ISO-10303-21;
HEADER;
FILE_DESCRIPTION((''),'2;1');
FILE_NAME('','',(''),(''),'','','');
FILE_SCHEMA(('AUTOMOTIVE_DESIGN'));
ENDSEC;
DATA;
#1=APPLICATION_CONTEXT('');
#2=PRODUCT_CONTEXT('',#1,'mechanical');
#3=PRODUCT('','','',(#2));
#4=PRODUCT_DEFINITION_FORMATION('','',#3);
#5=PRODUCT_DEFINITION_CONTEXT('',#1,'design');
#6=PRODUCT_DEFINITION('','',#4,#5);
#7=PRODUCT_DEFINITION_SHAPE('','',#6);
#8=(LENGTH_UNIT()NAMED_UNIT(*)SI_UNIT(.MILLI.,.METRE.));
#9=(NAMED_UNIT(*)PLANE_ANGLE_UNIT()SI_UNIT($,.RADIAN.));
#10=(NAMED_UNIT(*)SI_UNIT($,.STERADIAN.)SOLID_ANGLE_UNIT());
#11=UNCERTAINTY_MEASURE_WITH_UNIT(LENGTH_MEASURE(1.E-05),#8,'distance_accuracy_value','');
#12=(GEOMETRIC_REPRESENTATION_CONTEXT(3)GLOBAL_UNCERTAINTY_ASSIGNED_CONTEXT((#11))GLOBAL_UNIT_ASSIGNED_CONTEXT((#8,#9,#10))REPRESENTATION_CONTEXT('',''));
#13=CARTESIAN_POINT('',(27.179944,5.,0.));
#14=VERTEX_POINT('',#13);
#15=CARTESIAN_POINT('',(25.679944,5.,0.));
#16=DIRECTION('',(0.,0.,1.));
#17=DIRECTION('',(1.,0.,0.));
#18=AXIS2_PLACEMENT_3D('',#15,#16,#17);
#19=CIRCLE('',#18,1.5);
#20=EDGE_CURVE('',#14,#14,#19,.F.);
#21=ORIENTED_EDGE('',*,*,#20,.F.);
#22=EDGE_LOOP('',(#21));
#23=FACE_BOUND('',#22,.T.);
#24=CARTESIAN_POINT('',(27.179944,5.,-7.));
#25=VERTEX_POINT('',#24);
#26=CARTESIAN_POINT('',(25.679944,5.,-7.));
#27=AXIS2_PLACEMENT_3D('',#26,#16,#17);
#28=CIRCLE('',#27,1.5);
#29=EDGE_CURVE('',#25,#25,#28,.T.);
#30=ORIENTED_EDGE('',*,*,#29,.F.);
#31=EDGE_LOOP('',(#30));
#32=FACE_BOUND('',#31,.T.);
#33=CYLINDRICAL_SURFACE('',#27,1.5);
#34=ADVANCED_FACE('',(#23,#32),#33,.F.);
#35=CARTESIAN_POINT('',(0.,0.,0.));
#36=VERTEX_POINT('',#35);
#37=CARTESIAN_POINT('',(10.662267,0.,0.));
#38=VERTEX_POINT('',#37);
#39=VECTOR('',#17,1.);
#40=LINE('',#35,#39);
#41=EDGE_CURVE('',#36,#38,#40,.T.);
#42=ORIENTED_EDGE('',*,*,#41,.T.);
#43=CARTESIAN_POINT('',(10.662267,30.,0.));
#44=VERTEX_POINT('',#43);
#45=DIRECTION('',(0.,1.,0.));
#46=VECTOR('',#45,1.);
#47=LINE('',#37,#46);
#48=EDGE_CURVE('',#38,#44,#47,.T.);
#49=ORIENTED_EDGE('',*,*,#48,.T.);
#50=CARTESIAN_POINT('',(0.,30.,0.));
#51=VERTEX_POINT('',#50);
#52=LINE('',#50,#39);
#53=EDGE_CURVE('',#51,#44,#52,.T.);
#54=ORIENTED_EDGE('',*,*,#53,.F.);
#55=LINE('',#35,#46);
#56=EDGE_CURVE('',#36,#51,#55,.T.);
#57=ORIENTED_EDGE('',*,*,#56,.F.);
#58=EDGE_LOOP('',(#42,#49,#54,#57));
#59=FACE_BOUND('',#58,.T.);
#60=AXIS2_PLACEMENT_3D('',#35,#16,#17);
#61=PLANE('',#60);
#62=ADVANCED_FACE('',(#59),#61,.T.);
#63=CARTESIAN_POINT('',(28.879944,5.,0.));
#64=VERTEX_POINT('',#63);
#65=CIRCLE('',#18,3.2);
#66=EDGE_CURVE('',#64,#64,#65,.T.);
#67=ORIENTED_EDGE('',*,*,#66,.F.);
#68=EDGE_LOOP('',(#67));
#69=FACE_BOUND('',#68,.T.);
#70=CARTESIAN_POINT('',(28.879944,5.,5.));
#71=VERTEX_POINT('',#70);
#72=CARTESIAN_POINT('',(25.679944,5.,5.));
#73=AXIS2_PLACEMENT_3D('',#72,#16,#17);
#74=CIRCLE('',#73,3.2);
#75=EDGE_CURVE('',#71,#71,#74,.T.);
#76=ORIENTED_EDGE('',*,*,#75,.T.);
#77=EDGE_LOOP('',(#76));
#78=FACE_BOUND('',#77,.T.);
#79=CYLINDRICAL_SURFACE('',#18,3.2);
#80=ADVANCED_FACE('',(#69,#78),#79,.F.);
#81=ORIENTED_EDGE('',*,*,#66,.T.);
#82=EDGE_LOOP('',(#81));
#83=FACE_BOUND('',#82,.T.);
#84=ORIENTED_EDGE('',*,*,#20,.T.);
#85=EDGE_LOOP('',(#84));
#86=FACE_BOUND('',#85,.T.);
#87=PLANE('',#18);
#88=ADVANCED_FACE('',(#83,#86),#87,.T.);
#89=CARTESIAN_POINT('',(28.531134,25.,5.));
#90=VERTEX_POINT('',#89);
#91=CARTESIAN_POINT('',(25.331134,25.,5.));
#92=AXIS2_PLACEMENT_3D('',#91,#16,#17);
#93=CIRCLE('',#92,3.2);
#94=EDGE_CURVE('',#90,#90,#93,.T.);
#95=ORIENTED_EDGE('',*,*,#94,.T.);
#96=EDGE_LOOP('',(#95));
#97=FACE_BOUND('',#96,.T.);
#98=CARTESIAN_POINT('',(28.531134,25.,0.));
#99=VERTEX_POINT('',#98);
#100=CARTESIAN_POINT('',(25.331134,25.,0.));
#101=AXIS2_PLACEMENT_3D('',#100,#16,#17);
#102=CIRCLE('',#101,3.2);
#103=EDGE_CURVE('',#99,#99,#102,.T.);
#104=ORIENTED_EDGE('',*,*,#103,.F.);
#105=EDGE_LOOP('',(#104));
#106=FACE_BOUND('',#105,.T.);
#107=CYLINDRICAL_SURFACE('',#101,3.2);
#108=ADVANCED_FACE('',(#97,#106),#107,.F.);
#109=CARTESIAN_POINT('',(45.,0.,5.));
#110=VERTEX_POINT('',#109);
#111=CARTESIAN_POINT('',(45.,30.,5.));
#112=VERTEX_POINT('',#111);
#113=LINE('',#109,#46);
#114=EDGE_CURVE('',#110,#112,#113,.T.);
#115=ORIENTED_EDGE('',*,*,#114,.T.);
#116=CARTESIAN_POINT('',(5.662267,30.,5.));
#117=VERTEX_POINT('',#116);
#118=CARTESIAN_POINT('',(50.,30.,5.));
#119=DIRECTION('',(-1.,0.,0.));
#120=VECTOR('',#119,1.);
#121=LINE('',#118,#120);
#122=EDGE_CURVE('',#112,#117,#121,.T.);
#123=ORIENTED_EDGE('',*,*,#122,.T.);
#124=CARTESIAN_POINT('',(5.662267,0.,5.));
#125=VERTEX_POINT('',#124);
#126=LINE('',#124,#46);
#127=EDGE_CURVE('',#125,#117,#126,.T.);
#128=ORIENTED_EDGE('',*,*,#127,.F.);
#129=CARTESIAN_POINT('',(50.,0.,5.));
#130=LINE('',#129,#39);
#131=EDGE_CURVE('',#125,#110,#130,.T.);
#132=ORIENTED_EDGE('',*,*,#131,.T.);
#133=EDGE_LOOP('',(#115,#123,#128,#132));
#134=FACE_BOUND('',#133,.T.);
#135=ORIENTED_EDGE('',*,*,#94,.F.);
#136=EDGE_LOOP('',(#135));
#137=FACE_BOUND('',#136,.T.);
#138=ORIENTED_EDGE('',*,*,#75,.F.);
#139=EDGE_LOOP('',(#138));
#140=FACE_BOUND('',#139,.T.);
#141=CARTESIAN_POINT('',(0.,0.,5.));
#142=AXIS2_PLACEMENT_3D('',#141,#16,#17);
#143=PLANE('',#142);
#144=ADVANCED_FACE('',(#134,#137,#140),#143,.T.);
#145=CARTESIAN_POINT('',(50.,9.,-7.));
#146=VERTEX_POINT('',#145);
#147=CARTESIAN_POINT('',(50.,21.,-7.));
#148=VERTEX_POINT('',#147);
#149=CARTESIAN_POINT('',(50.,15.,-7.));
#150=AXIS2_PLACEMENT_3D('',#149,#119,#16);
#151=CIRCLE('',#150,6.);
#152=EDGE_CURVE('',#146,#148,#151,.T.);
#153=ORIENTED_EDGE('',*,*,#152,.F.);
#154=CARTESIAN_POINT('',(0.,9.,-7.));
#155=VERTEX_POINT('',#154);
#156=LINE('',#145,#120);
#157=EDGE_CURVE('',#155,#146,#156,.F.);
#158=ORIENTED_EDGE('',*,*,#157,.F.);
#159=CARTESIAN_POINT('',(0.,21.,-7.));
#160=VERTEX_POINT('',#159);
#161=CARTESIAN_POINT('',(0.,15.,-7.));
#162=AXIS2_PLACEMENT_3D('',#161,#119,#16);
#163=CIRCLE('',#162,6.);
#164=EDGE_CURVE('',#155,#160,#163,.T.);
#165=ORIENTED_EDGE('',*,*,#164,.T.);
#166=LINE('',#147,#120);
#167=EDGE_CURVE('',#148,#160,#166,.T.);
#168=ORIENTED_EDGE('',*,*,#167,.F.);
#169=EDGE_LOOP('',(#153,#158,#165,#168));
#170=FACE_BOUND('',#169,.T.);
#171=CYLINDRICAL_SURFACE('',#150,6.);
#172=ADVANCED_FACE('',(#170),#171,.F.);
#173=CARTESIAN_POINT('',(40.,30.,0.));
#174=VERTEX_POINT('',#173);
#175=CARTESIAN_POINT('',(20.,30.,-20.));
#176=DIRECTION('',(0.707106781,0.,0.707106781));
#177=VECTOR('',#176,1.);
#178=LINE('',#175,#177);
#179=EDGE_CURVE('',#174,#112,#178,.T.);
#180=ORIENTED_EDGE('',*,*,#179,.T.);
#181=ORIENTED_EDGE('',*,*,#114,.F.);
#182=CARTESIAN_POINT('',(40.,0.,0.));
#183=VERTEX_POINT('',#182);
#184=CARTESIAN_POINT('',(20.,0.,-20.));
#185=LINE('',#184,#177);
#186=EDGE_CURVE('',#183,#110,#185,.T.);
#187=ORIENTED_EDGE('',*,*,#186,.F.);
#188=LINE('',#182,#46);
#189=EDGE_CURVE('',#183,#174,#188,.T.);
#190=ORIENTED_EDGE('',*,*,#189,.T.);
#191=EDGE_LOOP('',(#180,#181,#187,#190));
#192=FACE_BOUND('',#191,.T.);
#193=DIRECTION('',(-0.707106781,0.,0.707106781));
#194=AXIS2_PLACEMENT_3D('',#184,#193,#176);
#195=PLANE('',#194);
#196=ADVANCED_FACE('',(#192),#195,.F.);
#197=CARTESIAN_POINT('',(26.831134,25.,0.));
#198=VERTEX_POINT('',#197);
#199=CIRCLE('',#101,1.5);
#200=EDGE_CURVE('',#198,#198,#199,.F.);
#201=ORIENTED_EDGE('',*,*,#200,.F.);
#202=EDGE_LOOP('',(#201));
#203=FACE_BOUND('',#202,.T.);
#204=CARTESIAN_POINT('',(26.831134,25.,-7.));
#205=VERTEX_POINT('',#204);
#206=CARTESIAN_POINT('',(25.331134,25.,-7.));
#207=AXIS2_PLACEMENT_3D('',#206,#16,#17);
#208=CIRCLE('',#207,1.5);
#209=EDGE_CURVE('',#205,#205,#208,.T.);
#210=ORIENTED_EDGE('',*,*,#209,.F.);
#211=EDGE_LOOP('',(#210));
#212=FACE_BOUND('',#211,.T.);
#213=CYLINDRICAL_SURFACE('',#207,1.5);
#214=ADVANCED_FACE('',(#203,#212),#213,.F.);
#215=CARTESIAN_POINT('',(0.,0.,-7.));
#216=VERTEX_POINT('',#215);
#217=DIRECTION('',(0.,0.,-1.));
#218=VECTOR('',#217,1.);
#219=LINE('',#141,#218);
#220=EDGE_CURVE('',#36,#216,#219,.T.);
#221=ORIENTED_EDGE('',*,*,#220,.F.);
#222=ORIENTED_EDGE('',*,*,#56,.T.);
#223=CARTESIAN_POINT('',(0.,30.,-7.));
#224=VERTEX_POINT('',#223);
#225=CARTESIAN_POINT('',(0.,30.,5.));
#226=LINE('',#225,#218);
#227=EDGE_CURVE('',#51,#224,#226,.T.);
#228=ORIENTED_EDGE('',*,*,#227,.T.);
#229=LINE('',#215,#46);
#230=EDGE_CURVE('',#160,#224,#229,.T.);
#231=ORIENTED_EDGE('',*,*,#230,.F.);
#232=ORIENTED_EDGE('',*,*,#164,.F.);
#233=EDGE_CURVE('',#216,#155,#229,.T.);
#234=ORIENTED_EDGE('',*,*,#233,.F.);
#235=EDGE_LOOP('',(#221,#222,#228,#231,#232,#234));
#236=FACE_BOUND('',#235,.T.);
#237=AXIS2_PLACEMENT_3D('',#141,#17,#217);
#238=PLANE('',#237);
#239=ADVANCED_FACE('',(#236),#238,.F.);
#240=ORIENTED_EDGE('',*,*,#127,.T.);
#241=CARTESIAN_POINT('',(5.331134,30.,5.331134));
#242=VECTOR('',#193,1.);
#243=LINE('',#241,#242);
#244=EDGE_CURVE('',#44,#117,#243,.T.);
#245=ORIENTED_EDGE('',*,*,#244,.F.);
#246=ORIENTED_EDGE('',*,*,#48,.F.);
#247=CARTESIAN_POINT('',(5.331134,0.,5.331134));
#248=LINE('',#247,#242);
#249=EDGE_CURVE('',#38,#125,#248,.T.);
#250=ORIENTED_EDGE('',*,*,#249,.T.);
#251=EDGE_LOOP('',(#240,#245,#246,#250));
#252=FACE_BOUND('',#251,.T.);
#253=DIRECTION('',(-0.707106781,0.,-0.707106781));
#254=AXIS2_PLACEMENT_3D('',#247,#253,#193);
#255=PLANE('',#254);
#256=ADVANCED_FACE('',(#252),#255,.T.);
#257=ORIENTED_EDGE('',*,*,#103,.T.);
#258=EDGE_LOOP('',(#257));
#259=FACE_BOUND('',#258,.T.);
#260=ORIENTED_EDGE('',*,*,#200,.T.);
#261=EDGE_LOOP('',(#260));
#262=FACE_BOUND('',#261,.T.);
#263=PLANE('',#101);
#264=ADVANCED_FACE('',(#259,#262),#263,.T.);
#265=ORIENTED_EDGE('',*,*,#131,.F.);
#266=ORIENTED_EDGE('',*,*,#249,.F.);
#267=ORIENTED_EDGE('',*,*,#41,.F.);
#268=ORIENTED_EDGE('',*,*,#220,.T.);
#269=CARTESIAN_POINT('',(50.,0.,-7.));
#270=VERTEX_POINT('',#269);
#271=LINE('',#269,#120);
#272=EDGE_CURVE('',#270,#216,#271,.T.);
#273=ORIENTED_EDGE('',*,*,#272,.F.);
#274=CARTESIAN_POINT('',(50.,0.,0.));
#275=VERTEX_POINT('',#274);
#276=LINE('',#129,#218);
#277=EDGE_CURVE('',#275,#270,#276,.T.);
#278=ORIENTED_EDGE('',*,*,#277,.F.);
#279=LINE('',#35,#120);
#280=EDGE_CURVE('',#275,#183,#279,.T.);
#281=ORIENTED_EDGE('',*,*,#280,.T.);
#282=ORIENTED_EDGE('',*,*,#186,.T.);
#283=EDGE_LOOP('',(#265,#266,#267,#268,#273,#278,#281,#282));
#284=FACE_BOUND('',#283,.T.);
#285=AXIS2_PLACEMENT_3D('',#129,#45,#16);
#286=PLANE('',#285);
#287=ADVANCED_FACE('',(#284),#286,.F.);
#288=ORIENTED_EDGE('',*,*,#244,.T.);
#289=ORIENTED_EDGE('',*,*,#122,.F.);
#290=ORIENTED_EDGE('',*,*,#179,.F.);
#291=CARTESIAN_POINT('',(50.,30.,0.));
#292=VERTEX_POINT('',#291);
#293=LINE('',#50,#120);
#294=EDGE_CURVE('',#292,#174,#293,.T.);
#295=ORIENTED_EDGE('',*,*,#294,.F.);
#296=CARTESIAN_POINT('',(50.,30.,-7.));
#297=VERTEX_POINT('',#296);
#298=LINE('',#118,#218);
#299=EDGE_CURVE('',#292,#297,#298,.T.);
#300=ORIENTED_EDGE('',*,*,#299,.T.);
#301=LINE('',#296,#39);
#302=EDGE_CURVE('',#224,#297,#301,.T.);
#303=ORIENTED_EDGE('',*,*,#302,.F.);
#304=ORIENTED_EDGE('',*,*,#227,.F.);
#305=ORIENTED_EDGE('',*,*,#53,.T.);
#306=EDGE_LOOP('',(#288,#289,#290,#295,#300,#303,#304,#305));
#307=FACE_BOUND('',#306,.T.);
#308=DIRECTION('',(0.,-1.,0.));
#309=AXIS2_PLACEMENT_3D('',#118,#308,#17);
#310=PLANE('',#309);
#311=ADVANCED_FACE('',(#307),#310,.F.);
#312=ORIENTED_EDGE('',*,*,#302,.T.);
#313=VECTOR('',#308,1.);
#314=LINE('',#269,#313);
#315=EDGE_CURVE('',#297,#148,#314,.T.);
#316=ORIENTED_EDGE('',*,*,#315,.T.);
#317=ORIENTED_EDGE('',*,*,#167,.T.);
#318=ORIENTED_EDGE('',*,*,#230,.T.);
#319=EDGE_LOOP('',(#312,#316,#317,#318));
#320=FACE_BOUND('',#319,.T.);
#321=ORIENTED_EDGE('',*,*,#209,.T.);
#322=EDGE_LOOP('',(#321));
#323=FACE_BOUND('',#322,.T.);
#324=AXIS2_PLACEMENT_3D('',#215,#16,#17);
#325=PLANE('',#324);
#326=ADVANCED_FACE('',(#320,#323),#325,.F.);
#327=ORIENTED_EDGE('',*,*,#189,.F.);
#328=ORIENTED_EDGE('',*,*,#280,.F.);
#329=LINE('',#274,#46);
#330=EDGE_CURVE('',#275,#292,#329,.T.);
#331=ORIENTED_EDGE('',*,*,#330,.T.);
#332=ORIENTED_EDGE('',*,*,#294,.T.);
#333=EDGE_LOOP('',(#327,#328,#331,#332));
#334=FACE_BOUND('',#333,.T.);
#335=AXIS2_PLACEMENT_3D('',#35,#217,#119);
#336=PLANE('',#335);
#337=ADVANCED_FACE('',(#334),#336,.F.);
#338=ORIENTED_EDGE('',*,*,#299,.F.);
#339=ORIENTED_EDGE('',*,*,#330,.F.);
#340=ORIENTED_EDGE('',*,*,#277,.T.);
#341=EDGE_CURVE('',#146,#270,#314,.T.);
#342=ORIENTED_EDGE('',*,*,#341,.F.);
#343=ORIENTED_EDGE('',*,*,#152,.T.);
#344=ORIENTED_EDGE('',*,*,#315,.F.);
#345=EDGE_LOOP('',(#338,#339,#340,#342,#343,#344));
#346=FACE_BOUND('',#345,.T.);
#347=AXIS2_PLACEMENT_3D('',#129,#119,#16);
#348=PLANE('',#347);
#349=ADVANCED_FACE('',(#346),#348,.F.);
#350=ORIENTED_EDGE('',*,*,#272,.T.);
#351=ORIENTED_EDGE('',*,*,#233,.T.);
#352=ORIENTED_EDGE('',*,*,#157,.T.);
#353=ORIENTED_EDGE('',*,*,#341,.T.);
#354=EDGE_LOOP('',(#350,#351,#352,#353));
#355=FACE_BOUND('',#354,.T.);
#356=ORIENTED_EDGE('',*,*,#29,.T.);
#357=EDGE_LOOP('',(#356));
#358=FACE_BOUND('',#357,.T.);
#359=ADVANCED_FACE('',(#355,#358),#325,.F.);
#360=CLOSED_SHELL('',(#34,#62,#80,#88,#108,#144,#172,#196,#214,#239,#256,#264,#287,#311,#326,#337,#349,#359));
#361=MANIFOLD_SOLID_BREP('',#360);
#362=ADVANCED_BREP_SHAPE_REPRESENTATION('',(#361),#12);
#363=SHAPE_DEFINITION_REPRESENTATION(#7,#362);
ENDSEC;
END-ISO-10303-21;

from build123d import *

# Parameters (mm, degrees)
SKETCH_1_W            = 50
SKETCH_1_H            = 30
EXTRUDE_320_DEPTH     = 5
CUT_EXTRUDE_710_DEPTH = 31
SKETCH_8_W            = 50
SKETCH_8_H            = 30
EXTRUDE_1_DEPTH       = 2
SKETCH_11_R           = 6
CUT_EXTRUDE_2_DEPTH   = 51
SKETCH_12_R           = 1.5
CUT_EXTRUDE_3_DEPTH   = 13
SKETCH_12_3_R         = 3.2
CUT_EXTRUDE_4_DEPTH   = 5


with BuildPart() as part:
    # Эскиз1 → Extrude 320 (new body, symmetric)
    with BuildSketch(Plane.XY):
        with Locations((25, 15)):
            Rectangle(SKETCH_1_W, SKETCH_1_H)
    extrude(amount=EXTRUDE_320_DEPTH, both=True)

    # Эскиз2 → Cut-Extrude 710 (cut, through all)
    with BuildSketch(Plane(origin=(0, 30, 0), x_dir=(1, 0, 0), z_dir=(0, 1, 0))):
        Polygon((10.662267101, 0), (0, 0), (0, -5), (5.662267101, -5), align=None)
        Polygon((40, 0), (45, -5), (50, -5), (50, 0), align=None)
    extrude(amount=-CUT_EXTRUDE_710_DEPTH, mode=Mode.SUBTRACT)

    # Эскиз8 → Бобышка-Вытянуть1 (add)
    with BuildSketch(Plane(origin=(0, 0, -5), x_dir=(-1, 0, 0), z_dir=(0, 0, -1))):
        with Locations((-25, 15)):
            Rectangle(SKETCH_8_W, SKETCH_8_H)
    extrude(amount=EXTRUDE_1_DEPTH)

    # Эскиз11 → Вырез-Вытянуть2 (cut, through all)
    with BuildSketch(Plane.ZY):
        with Locations((-7, 15)):
            Circle(SKETCH_11_R)
    extrude(amount=-CUT_EXTRUDE_2_DEPTH, mode=Mode.SUBTRACT)

    # Эскиз12 → Вырез-Вытянуть3 (cut, through all)
    with BuildSketch(Plane.XY.offset(5)):
        with Locations((25.679943924, 5)):
            Circle(SKETCH_12_R)
        with Locations((25.331133551, 25)):
            Circle(SKETCH_12_R)
    extrude(amount=-CUT_EXTRUDE_3_DEPTH, mode=Mode.SUBTRACT)

    # Эскиз12<3> → Вырез-Вытянуть4 (cut)
    with BuildSketch(Plane.XY.offset(5)):
        with Locations((25.331133551, 25)):
            Circle(SKETCH_12_3_R)
        with Locations((25.679943924, 5)):
            Circle(SKETCH_12_3_R)
    extrude(amount=-CUT_EXTRUDE_4_DEPTH, mode=Mode.SUBTRACT)


solid = part.part
